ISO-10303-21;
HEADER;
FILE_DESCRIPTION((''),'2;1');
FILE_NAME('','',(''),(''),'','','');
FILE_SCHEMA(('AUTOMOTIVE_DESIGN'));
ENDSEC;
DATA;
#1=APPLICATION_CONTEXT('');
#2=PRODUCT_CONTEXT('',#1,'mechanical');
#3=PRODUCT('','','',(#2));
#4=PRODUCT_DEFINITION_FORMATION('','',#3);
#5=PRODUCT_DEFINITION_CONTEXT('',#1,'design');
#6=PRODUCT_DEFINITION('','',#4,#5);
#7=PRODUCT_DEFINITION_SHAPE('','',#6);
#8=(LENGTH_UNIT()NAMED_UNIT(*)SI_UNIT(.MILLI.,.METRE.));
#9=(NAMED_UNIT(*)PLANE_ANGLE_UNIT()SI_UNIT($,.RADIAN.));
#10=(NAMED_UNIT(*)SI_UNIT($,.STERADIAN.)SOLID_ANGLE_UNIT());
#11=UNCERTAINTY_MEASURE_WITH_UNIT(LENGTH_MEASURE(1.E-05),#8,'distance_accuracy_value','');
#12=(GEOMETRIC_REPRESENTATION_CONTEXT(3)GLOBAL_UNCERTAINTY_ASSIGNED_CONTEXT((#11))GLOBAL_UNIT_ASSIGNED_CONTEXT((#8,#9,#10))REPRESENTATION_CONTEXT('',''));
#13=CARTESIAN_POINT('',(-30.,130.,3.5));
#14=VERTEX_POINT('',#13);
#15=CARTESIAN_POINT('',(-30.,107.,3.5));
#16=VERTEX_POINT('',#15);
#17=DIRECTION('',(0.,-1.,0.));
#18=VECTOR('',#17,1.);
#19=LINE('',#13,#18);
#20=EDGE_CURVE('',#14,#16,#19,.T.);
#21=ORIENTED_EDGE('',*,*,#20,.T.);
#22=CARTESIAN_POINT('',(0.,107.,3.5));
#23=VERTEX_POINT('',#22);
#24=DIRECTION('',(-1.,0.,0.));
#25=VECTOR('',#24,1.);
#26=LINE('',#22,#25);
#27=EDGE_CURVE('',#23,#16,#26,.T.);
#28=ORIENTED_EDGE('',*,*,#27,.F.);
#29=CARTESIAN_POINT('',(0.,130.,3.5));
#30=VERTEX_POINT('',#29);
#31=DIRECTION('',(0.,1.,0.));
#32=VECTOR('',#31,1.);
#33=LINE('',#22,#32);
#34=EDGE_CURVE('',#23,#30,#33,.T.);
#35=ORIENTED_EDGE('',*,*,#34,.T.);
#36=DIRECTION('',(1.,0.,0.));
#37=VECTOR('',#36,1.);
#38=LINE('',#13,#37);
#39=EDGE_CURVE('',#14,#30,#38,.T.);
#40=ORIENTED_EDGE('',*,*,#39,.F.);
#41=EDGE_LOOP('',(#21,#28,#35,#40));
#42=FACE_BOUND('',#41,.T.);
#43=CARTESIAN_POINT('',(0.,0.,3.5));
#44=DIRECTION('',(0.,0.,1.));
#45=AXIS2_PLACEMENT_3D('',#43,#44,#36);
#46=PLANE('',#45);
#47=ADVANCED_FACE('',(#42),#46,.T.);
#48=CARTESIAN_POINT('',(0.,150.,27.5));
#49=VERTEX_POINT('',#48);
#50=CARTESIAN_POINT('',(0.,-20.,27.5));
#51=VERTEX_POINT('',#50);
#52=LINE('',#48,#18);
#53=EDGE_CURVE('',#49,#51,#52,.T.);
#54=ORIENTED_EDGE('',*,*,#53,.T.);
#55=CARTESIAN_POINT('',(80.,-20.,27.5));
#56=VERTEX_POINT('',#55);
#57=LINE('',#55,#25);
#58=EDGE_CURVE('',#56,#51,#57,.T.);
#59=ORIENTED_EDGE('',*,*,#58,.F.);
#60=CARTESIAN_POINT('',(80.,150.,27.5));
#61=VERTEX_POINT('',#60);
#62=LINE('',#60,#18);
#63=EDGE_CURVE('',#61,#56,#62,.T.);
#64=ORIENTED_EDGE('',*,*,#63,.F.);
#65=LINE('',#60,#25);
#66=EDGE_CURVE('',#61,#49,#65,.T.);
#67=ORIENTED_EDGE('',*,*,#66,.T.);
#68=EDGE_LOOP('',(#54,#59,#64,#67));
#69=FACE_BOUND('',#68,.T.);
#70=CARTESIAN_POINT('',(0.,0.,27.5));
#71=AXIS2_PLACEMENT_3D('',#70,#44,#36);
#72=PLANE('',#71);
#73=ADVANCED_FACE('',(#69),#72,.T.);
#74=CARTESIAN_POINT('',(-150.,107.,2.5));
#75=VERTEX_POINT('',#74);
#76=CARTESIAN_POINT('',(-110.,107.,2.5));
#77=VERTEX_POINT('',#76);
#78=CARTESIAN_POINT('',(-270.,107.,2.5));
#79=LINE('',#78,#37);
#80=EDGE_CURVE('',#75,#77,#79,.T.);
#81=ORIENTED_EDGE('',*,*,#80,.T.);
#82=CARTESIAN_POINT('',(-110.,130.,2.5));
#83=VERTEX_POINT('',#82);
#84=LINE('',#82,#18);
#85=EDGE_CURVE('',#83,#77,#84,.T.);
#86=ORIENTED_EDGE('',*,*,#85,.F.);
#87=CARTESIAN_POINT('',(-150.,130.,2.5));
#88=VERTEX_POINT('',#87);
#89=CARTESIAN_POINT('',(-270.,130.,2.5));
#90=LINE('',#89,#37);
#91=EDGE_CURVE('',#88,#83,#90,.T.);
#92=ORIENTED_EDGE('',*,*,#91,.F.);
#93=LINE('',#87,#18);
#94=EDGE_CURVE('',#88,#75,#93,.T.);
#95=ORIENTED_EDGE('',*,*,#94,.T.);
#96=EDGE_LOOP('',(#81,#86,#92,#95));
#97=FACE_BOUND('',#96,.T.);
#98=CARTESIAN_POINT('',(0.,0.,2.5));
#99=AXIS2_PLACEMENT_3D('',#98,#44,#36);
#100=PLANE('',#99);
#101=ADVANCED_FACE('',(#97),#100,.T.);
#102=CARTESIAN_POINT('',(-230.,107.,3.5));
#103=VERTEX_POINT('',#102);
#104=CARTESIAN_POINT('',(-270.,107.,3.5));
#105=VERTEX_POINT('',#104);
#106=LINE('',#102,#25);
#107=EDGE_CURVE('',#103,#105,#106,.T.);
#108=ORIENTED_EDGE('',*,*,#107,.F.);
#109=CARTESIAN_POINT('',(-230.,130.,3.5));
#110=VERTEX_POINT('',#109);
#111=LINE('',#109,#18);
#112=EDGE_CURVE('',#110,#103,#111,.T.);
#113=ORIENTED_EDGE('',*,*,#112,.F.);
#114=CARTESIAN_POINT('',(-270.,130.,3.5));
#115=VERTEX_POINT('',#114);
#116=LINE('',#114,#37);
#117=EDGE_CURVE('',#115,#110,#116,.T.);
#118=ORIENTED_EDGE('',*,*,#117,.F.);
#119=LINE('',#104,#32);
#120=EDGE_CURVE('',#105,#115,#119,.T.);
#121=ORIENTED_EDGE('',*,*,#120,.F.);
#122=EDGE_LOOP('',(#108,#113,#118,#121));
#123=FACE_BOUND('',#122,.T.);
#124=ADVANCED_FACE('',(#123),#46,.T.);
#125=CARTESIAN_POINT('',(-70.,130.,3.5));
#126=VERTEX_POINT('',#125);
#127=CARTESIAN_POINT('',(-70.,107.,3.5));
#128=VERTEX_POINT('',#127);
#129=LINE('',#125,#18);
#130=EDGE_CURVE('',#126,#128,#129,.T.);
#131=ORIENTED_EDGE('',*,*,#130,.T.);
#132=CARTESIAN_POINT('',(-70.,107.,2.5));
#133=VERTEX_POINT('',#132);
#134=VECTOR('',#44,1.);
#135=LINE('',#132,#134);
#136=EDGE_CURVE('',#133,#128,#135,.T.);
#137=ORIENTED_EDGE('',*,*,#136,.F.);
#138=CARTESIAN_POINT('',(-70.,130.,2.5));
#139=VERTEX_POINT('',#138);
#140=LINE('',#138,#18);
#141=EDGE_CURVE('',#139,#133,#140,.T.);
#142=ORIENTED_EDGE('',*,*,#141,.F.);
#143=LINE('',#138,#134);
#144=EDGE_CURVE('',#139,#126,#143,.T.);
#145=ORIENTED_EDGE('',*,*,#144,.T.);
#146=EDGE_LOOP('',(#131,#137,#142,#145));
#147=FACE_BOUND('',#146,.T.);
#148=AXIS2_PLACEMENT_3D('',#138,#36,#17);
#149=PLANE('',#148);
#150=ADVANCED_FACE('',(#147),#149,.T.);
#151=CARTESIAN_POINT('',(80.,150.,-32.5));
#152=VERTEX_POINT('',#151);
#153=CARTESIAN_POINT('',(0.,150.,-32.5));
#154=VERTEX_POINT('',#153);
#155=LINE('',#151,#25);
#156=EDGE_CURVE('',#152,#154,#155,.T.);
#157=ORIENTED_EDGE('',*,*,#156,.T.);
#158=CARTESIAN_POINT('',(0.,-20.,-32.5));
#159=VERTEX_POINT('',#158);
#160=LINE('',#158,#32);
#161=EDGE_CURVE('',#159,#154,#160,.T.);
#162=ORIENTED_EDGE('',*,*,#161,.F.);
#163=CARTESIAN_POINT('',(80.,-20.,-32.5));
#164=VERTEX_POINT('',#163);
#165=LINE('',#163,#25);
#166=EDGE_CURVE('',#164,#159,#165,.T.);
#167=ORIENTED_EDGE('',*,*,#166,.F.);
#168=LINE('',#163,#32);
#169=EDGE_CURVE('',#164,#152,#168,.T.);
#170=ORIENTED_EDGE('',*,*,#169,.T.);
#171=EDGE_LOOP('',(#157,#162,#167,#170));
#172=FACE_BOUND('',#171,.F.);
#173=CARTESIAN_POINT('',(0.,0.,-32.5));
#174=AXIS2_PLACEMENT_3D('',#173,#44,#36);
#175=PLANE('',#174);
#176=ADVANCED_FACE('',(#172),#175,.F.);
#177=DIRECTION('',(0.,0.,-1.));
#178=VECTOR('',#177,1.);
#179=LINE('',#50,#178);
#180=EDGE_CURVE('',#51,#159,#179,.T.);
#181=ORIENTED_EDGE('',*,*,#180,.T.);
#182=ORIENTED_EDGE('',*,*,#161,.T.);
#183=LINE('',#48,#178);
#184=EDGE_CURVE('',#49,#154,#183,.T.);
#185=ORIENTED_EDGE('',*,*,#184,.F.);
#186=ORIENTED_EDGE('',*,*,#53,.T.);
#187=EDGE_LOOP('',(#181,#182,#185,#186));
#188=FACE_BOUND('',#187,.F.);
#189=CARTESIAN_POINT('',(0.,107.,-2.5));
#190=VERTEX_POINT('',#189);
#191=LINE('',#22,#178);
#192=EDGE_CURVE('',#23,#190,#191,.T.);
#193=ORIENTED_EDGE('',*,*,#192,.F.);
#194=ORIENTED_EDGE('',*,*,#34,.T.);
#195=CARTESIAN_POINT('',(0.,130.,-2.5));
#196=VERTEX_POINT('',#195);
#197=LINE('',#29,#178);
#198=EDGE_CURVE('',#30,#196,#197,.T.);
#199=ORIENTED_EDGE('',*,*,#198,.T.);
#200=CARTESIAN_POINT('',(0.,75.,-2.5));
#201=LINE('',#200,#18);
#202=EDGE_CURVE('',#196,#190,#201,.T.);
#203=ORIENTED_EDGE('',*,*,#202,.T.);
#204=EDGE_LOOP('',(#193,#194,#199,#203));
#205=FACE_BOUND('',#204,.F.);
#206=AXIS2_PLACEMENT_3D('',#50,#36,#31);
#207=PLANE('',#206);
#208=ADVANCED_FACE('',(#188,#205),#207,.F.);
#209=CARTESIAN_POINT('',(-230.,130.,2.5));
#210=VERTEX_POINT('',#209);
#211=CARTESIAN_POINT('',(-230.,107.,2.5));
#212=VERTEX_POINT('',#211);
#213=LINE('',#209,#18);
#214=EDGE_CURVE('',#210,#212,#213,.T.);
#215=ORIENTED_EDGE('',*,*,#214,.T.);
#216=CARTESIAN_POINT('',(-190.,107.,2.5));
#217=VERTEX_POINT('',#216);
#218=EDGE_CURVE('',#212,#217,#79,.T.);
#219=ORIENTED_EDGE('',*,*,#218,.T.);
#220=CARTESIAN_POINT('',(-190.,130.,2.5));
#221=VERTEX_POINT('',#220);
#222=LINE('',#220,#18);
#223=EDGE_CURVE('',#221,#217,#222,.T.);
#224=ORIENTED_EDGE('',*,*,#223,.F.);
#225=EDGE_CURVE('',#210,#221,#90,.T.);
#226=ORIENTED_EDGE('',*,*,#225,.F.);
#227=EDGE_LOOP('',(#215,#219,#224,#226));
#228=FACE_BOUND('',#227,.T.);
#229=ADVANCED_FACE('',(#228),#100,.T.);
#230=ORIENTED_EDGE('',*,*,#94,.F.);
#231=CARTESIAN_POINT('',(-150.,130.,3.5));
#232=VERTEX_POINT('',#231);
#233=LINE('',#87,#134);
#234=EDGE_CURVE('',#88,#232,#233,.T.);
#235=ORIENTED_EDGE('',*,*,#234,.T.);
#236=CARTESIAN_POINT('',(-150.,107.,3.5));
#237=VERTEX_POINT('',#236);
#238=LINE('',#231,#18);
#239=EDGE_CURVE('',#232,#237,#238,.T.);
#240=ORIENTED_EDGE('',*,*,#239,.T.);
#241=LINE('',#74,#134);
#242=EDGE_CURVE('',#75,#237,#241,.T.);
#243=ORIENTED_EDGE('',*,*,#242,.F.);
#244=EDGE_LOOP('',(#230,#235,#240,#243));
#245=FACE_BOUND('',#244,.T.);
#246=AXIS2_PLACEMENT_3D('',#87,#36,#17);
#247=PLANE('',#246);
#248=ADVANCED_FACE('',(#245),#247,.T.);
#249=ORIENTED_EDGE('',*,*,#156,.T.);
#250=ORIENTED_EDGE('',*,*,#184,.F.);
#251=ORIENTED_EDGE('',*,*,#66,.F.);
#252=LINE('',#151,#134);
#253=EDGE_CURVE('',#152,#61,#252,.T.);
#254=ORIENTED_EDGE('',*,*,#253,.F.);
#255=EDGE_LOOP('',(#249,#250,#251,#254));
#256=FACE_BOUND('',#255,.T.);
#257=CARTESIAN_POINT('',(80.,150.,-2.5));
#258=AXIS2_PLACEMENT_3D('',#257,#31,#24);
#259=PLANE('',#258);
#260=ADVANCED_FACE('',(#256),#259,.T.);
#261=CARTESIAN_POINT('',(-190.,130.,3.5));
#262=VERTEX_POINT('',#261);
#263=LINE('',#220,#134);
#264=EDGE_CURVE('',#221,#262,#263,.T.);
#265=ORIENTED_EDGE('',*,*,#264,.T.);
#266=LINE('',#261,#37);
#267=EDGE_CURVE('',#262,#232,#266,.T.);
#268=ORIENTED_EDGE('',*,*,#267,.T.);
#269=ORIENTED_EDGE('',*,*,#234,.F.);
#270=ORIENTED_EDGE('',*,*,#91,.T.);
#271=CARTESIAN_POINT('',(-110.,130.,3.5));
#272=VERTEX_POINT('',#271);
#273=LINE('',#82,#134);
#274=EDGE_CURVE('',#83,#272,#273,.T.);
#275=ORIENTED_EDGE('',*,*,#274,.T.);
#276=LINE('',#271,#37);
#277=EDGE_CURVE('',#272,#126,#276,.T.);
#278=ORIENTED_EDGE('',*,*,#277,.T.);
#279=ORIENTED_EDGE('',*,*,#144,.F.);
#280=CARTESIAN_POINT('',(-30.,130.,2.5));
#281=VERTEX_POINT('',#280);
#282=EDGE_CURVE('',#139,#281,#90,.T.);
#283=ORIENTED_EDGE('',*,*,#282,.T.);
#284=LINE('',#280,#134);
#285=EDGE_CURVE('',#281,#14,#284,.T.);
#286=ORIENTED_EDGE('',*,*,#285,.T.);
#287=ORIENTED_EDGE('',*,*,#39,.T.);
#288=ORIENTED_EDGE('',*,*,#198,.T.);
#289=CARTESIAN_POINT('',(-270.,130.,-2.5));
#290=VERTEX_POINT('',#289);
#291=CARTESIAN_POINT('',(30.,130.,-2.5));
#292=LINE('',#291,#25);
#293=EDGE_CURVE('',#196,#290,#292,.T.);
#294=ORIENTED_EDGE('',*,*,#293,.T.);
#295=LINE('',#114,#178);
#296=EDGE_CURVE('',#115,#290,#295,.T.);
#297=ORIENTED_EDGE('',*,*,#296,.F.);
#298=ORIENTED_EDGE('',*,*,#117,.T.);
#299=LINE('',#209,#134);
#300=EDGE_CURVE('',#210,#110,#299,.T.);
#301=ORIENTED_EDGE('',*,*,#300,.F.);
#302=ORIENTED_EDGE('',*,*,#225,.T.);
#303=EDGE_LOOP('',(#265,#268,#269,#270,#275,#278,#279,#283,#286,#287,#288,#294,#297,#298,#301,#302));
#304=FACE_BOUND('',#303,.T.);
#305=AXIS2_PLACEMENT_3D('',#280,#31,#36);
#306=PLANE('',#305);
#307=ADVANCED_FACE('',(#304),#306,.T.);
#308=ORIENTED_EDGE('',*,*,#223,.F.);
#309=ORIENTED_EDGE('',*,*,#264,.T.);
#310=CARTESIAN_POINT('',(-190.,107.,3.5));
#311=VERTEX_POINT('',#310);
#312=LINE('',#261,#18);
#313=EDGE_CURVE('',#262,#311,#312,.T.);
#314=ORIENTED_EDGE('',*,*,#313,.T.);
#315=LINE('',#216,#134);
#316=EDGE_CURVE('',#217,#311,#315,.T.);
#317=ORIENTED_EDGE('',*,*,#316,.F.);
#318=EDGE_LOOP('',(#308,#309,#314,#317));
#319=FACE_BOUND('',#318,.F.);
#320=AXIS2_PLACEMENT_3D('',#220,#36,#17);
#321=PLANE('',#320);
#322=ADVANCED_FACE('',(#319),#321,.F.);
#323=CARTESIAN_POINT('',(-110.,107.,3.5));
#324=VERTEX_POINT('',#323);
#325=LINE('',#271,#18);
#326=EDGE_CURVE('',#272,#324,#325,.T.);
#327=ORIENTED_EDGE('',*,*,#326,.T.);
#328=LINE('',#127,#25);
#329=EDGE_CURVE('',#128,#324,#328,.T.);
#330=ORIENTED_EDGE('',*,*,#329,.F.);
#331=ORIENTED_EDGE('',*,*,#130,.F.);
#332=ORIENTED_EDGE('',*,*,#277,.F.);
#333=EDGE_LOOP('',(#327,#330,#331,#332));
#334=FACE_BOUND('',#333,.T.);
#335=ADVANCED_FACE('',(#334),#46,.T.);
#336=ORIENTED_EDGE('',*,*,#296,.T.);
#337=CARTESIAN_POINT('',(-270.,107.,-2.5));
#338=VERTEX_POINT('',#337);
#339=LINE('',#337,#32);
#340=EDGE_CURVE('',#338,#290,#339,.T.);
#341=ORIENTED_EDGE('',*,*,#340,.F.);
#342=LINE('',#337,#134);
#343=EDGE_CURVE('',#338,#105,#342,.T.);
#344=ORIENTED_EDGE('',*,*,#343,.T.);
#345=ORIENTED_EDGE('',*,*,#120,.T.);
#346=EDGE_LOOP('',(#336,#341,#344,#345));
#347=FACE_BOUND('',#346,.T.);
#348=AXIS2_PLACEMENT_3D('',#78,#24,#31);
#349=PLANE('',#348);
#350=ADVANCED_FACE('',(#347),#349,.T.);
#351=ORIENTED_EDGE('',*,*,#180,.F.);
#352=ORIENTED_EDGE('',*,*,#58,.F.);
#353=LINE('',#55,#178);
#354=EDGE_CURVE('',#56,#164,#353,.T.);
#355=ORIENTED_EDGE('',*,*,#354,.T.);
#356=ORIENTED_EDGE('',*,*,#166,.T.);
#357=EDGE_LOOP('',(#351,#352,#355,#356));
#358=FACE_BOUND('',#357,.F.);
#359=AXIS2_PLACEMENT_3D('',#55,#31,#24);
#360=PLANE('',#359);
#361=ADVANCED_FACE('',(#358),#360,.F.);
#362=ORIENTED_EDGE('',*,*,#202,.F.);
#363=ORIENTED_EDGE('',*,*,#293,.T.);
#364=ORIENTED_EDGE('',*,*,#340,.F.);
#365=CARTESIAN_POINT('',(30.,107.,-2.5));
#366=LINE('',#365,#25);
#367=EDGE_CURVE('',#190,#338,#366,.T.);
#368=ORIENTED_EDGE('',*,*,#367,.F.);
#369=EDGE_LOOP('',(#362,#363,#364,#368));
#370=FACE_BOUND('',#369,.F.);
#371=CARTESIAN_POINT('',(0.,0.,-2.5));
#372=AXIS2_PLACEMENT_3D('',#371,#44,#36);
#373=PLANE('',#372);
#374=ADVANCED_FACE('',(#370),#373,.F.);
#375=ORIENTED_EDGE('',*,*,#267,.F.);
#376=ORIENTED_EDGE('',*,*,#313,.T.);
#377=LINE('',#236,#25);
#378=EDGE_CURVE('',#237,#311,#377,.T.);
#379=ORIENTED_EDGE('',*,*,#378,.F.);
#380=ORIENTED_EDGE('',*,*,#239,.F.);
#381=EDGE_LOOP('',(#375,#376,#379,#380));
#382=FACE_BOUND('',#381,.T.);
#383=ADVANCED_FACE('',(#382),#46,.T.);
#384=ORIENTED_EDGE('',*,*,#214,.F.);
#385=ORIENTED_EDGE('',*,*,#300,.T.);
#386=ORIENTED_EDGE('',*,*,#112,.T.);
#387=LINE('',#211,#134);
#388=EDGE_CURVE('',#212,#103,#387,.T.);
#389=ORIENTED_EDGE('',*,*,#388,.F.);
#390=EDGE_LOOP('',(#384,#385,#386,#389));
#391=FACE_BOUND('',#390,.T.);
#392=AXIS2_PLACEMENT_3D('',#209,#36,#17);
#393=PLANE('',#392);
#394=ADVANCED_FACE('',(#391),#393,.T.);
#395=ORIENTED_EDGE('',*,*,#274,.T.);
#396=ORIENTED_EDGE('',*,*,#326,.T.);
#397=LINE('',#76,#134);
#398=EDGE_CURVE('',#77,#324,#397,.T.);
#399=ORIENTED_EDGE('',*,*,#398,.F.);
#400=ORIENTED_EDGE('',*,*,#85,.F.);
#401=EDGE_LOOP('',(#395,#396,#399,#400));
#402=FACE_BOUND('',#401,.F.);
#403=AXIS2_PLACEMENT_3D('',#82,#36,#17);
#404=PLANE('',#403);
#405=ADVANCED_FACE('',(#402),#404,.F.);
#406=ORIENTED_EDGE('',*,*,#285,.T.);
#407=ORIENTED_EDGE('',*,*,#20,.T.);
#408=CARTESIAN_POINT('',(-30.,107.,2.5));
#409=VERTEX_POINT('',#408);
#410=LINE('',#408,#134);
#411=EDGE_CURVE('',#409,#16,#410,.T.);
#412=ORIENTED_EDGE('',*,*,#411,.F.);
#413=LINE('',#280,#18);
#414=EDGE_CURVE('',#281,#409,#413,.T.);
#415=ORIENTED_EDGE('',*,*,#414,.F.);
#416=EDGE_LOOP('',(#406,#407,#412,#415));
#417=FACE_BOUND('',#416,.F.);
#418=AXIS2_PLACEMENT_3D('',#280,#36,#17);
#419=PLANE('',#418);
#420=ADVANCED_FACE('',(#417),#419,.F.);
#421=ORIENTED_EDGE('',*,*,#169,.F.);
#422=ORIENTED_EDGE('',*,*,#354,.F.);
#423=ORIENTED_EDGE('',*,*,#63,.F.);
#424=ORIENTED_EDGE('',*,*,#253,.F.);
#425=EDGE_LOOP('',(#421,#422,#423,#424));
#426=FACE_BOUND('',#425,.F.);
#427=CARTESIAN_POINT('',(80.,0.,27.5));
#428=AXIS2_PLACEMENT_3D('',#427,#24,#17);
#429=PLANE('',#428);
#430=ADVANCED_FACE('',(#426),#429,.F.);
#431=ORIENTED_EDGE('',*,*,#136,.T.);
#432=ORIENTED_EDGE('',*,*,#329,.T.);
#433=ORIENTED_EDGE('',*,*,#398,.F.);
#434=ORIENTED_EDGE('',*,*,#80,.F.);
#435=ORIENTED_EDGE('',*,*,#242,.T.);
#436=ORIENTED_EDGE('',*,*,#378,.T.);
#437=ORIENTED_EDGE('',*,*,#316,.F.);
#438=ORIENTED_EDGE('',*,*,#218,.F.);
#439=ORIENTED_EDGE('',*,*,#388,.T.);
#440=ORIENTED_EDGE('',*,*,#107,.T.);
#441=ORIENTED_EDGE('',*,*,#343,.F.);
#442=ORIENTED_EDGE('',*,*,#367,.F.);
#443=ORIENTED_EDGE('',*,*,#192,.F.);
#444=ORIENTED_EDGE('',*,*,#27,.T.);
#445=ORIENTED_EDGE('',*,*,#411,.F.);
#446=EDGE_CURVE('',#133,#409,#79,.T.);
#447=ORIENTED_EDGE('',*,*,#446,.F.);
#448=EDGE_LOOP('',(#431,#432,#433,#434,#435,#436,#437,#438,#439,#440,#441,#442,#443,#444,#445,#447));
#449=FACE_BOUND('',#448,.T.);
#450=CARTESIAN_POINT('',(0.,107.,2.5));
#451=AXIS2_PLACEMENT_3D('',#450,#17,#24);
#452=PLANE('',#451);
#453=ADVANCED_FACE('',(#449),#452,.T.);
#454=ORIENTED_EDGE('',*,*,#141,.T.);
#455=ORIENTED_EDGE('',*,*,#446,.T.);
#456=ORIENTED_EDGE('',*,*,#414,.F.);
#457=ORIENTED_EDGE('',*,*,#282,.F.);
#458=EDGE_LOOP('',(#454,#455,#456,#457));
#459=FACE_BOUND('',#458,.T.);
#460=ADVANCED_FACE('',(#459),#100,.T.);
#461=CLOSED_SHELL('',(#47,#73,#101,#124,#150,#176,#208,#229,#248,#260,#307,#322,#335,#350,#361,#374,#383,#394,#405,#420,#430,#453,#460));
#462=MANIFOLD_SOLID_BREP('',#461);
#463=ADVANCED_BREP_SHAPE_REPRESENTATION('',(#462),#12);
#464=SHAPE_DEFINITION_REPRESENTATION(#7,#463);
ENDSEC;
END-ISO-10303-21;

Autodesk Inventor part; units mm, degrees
ref_plane "YZ Plane" through (0, 0, 0) normal (1, 0, 0) x (0, 1, 0)
ref_plane "XZ Plane" through (0, 0, 0) normal (0, 1, 0) x (-1, 0, 0)
ref_plane "XY Plane" through (0, 0, 0) normal (0, 0, 1) x (1, 0, 0)
sketch "Sketch1" plane through (0, 0, 0) normal (0, 0, 1) x (1, 0, 0)
  point P0 (0, 0)
sketch "Sketch2" plane through (0, 0, 0) normal (0, 0, 1) x (1, 0, 0)
  line L0 (-270, 130) -> (30, 130)
  line L1 (30, 130) -> (30, 107)
  line L2 (30, 107) -> (-270, 107)
  line L3 (-270, 107) -> (-270, 130)
  line L4 (0, 0) -> (80, 0)
  line L5 (80, 0) -> (80, 150)
  line L6 (80, 150) -> (0, 150)
  line L7 (0, 150) -> (0, 0)
  dimension "d0" = 300
  dimension "d1" = 23
  dimension "d2" = 80
  dimension "d3" = 150
  dimension "d4" = 30
  dimension "d5" = 20
extrude "Extrusion1" add sketch "Sketch2" along normal mid plane 5 contours L0 L7 L2 L3 | L0 L1 L2 L7
sketch "Sketch3" plane through (0, 0, 2.5) normal (0, 0, 1) x (1, 0, 0)
  point P0 (0, 0)
sketch "Sketch4" plane through (0, 0, 2.5) normal (0, 0, 1) x (1, 0, 0)
  point P0 (0, 0)
sketch "Sketch5" plane through (0, 0, -2.5) normal (0, 0, -1) x (-1, 0, 0)
  line L0 (0, 0) -> (-80, 0)
  line L1 (-80, 0) -> (-80, 150)
  line L2 (-80, 150) -> (0, 150)
  line L3 (0, 150) -> (0, 0)
  dimension "d8" = 80
  dimension "d9" = 150
extrude "Extrusion2" add sketch "Sketch5" along normal mid plane 60
sketch "Sketch6" plane through (0, 0, 2.5) normal (0, 0, 1) x (1, 0, 0)
  line L0 (-270, 107) -> (-270, 130) projected
  line L1 (-270, 130) -> (-230, 130)
  line L2 (-230, 130) -> (-230, 107)
  line L3 (-230, 107) -> (-270, 107)
  line L4 (-270, 107) -> (-270, 130)
  point P0 (0, 0)
  dimension "d12" = 40
  dimension "d13" = 23
extrude "Extrusion3" add sketch "Sketch6" along normal blind 1
sketch "Sketch7" plane through (0, 0, 2.5) normal (0, 0, 1) x (1, 0, 0)
  line L0 (-230.0222, 129.8127) -> (-190.0222, 129.8127)
  line L1 (-190.0222, 129.8127) -> (-190.0222, 106.8127)
  line L2 (-190.0222, 106.8127) -> (-230.0222, 106.8127)
  line L3 (-230.0222, 106.8127) -> (-230.0222, 129.8127)
  point P0 (0, 0)
  dimension "d16" = 40
  dimension "d17" = 23
sketch "Sketch8" plane through (0, 0, 2.5) normal (0, 0, 1) x (1, 0, 0)
  line L0 (-230, 107) -> (-230, 130) projected
  line L1 (-230, 130) -> (-190, 130)
  line L2 (-190, 130) -> (-190, 107)
  line L3 (-190, 107) -> (-230, 107)
  line L4 (-230, 107) -> (-230, 130)
  line L5 (-190, 130) -> (-150, 130)
  line L6 (-150, 130) -> (-150, 107)
  line L7 (-150, 107) -> (-190, 107)
  line L8 (-190, 107) -> (-190, 130)
  point P0 (0, 0)
  dimension "d18" = 40
  dimension "d19" = 23
  dimension "d20" = 40
  dimension "d21" = 23
extrude "Extrusion4" add sketch "Sketch8" along normal blind 1 contours L2 L5 L6 L7
sketch "Sketch9" plane through (0, 0, 2.5) normal (0, 0, 1) x (1, 0, 0)
  line L0 (-150, 130) -> (-110, 130)
  line L1 (-110, 130) -> (-110, 107)
  line L2 (-110, 107) -> (-150, 107)
  line L3 (-150, 107) -> (-150, 130)
  line L4 (-110, 130) -> (-70, 130)
  line L5 (-70, 130) -> (-70, 107)
  line L6 (-70, 107) -> (-110, 107)
  line L7 (-110, 107) -> (-110, 130)
  point P0 (0, 0)
  dimension "d24" = 40
  dimension "d25" = 23
  dimension "d26" = 40
  dimension "d27" = 23
extrude "Extrusion5" add sketch "Sketch9" along normal blind 1 contours L4 L5 L6 L1
sketch "Sketch10" plane through (0, 0, 2.5) normal (0, 0, 1) x (1, 0, 0)
  line L0 (-70, 130) -> (-70, 107) projected
  line L1 (-70, 130) -> (-30, 130)
  line L2 (-30, 130) -> (-30, 107)
  line L3 (-30, 107) -> (-70, 107)
  line L4 (-70, 107) -> (-70, 130)
  line L5 (0, 107) -> (0, 130) projected
  line L6 (-30, 130) -> (0, 130)
  line L7 (0, 130) -> (0, 107)
  line L8 (0, 107) -> (-30, 107)
  line L9 (-30, 107) -> (-30, 130)
  point P0 (0, 0)
  dimension "d30" = 40
  dimension "d31" = 23
  dimension "d32" = 30
  dimension "d33" = 23
extrude "Extrusion6" add sketch "Sketch10" along normal blind 1 contours L6 L5 L8 L2
sketch "Sketch11" plane through (0, 0, 27.5) normal (0, 0, 1) x (1, 0, 0)
  point P0 (0, 0)
sketch "Sketch12" plane through (0, 0, 27.5) normal (0, 0, 1) x (1, 0, 0)
  line L0 (0, 0) -> (80, 0) projected
  line L1 (80, 0) -> (80, -20)
  line L2 (80, -20) -> (0, -20)
  line L3 (0, -20) -> (0, 0)
  dimension "d36" = 20
extrude "Extrusion7" add sketch "Sketch12" against normal blind 60
properties part number "bar"
